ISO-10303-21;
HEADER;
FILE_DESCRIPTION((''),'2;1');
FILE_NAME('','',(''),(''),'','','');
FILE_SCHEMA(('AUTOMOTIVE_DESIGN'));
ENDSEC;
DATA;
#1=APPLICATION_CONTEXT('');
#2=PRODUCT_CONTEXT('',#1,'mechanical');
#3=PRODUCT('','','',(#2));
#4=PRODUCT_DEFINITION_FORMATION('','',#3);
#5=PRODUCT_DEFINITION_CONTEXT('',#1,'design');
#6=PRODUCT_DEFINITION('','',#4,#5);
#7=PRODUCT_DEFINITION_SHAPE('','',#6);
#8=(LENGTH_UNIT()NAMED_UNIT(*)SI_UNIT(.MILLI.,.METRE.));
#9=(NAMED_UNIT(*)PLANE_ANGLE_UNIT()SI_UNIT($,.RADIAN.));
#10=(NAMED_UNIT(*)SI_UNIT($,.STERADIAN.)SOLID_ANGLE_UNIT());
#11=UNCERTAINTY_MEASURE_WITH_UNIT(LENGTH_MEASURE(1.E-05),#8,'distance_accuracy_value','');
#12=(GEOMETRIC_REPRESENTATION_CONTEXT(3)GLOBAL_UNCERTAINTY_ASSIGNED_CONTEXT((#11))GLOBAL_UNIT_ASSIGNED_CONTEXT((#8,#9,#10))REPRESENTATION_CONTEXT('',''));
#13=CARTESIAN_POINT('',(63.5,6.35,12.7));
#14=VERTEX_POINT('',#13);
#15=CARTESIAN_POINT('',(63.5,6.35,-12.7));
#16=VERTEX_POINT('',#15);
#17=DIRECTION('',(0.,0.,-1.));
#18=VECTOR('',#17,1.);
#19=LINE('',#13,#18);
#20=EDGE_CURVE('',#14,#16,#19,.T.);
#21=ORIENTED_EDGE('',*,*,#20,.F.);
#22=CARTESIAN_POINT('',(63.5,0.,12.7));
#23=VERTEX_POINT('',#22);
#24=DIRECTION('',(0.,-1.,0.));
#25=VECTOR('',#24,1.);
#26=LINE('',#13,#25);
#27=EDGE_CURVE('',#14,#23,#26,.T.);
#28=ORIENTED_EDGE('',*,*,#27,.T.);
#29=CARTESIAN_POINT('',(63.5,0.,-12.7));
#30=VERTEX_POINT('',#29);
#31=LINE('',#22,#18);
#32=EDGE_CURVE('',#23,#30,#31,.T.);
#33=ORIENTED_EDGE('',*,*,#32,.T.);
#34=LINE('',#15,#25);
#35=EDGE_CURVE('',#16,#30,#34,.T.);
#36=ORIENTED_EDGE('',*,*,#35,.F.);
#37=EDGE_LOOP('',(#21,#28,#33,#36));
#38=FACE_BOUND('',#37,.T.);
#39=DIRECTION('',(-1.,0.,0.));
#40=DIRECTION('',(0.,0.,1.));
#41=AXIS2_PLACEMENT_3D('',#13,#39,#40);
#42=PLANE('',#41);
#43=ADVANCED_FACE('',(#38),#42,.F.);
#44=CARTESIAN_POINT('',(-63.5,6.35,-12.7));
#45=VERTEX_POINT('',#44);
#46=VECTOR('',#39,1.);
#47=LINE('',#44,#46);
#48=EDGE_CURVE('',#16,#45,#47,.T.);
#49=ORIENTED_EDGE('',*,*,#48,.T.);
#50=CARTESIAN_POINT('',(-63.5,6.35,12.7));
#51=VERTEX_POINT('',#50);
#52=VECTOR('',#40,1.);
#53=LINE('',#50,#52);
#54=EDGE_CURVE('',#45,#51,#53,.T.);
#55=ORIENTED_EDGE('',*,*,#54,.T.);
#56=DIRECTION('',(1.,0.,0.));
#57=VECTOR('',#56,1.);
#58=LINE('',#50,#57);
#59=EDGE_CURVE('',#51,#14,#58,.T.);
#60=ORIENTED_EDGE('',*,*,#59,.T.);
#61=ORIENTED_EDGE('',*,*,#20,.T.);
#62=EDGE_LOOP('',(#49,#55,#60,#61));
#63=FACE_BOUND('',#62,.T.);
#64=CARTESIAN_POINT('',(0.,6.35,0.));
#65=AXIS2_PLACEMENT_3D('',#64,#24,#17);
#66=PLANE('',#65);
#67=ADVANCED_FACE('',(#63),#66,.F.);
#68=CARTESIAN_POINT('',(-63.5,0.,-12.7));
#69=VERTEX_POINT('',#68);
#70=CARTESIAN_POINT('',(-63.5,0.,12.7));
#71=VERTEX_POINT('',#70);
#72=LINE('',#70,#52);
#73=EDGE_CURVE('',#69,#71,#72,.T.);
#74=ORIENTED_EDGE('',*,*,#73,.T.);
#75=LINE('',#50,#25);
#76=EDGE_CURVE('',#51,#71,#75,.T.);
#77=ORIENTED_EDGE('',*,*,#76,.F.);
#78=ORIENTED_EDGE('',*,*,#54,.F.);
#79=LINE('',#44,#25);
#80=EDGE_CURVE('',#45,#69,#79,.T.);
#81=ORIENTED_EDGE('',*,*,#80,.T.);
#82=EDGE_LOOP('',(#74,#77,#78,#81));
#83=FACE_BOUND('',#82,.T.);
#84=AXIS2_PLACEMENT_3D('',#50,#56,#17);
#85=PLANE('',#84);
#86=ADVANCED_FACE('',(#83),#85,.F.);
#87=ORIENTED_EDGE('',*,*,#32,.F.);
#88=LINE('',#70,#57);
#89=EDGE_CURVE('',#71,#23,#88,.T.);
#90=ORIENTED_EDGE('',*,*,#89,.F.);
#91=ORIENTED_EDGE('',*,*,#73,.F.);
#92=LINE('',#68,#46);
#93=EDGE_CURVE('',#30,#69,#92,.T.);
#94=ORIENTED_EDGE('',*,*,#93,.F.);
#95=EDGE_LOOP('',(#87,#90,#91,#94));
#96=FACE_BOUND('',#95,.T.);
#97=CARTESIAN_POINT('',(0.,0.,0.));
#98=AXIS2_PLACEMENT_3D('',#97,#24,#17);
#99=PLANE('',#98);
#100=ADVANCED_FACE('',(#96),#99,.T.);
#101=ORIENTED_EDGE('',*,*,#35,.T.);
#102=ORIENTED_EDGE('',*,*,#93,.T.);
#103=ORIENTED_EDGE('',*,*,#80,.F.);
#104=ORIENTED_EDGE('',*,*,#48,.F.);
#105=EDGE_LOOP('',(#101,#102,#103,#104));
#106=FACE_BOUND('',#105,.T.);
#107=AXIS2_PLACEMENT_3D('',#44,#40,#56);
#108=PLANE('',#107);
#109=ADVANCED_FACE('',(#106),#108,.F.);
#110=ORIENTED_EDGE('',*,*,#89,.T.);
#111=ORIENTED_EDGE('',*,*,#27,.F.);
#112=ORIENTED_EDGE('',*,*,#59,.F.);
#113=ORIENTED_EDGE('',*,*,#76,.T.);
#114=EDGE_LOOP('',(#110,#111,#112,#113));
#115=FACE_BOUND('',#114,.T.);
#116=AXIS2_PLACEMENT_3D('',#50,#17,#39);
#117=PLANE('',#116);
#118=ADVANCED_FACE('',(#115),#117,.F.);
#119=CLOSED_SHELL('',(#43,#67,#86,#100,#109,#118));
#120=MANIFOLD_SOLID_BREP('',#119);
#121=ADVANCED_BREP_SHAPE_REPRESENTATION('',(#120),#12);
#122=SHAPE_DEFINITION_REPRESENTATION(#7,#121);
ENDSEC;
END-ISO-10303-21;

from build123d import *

# Parameters (mm, degrees)
SKETCH1_W           = 127
SKETCH1_H           = 25.4
BOSS_EXTRUDE1_DEPTH = 6.35


with BuildPart() as part:
    # Sketch1 → Boss-Extrude1 (new body)
    with BuildSketch(Plane(origin=(0, 0, 0), x_dir=(1, 0, 0), z_dir=(0, 1, 0))):
        Rectangle(SKETCH1_W, SKETCH1_H)
    extrude(amount=BOSS_EXTRUDE1_DEPTH)


solid = part.part
